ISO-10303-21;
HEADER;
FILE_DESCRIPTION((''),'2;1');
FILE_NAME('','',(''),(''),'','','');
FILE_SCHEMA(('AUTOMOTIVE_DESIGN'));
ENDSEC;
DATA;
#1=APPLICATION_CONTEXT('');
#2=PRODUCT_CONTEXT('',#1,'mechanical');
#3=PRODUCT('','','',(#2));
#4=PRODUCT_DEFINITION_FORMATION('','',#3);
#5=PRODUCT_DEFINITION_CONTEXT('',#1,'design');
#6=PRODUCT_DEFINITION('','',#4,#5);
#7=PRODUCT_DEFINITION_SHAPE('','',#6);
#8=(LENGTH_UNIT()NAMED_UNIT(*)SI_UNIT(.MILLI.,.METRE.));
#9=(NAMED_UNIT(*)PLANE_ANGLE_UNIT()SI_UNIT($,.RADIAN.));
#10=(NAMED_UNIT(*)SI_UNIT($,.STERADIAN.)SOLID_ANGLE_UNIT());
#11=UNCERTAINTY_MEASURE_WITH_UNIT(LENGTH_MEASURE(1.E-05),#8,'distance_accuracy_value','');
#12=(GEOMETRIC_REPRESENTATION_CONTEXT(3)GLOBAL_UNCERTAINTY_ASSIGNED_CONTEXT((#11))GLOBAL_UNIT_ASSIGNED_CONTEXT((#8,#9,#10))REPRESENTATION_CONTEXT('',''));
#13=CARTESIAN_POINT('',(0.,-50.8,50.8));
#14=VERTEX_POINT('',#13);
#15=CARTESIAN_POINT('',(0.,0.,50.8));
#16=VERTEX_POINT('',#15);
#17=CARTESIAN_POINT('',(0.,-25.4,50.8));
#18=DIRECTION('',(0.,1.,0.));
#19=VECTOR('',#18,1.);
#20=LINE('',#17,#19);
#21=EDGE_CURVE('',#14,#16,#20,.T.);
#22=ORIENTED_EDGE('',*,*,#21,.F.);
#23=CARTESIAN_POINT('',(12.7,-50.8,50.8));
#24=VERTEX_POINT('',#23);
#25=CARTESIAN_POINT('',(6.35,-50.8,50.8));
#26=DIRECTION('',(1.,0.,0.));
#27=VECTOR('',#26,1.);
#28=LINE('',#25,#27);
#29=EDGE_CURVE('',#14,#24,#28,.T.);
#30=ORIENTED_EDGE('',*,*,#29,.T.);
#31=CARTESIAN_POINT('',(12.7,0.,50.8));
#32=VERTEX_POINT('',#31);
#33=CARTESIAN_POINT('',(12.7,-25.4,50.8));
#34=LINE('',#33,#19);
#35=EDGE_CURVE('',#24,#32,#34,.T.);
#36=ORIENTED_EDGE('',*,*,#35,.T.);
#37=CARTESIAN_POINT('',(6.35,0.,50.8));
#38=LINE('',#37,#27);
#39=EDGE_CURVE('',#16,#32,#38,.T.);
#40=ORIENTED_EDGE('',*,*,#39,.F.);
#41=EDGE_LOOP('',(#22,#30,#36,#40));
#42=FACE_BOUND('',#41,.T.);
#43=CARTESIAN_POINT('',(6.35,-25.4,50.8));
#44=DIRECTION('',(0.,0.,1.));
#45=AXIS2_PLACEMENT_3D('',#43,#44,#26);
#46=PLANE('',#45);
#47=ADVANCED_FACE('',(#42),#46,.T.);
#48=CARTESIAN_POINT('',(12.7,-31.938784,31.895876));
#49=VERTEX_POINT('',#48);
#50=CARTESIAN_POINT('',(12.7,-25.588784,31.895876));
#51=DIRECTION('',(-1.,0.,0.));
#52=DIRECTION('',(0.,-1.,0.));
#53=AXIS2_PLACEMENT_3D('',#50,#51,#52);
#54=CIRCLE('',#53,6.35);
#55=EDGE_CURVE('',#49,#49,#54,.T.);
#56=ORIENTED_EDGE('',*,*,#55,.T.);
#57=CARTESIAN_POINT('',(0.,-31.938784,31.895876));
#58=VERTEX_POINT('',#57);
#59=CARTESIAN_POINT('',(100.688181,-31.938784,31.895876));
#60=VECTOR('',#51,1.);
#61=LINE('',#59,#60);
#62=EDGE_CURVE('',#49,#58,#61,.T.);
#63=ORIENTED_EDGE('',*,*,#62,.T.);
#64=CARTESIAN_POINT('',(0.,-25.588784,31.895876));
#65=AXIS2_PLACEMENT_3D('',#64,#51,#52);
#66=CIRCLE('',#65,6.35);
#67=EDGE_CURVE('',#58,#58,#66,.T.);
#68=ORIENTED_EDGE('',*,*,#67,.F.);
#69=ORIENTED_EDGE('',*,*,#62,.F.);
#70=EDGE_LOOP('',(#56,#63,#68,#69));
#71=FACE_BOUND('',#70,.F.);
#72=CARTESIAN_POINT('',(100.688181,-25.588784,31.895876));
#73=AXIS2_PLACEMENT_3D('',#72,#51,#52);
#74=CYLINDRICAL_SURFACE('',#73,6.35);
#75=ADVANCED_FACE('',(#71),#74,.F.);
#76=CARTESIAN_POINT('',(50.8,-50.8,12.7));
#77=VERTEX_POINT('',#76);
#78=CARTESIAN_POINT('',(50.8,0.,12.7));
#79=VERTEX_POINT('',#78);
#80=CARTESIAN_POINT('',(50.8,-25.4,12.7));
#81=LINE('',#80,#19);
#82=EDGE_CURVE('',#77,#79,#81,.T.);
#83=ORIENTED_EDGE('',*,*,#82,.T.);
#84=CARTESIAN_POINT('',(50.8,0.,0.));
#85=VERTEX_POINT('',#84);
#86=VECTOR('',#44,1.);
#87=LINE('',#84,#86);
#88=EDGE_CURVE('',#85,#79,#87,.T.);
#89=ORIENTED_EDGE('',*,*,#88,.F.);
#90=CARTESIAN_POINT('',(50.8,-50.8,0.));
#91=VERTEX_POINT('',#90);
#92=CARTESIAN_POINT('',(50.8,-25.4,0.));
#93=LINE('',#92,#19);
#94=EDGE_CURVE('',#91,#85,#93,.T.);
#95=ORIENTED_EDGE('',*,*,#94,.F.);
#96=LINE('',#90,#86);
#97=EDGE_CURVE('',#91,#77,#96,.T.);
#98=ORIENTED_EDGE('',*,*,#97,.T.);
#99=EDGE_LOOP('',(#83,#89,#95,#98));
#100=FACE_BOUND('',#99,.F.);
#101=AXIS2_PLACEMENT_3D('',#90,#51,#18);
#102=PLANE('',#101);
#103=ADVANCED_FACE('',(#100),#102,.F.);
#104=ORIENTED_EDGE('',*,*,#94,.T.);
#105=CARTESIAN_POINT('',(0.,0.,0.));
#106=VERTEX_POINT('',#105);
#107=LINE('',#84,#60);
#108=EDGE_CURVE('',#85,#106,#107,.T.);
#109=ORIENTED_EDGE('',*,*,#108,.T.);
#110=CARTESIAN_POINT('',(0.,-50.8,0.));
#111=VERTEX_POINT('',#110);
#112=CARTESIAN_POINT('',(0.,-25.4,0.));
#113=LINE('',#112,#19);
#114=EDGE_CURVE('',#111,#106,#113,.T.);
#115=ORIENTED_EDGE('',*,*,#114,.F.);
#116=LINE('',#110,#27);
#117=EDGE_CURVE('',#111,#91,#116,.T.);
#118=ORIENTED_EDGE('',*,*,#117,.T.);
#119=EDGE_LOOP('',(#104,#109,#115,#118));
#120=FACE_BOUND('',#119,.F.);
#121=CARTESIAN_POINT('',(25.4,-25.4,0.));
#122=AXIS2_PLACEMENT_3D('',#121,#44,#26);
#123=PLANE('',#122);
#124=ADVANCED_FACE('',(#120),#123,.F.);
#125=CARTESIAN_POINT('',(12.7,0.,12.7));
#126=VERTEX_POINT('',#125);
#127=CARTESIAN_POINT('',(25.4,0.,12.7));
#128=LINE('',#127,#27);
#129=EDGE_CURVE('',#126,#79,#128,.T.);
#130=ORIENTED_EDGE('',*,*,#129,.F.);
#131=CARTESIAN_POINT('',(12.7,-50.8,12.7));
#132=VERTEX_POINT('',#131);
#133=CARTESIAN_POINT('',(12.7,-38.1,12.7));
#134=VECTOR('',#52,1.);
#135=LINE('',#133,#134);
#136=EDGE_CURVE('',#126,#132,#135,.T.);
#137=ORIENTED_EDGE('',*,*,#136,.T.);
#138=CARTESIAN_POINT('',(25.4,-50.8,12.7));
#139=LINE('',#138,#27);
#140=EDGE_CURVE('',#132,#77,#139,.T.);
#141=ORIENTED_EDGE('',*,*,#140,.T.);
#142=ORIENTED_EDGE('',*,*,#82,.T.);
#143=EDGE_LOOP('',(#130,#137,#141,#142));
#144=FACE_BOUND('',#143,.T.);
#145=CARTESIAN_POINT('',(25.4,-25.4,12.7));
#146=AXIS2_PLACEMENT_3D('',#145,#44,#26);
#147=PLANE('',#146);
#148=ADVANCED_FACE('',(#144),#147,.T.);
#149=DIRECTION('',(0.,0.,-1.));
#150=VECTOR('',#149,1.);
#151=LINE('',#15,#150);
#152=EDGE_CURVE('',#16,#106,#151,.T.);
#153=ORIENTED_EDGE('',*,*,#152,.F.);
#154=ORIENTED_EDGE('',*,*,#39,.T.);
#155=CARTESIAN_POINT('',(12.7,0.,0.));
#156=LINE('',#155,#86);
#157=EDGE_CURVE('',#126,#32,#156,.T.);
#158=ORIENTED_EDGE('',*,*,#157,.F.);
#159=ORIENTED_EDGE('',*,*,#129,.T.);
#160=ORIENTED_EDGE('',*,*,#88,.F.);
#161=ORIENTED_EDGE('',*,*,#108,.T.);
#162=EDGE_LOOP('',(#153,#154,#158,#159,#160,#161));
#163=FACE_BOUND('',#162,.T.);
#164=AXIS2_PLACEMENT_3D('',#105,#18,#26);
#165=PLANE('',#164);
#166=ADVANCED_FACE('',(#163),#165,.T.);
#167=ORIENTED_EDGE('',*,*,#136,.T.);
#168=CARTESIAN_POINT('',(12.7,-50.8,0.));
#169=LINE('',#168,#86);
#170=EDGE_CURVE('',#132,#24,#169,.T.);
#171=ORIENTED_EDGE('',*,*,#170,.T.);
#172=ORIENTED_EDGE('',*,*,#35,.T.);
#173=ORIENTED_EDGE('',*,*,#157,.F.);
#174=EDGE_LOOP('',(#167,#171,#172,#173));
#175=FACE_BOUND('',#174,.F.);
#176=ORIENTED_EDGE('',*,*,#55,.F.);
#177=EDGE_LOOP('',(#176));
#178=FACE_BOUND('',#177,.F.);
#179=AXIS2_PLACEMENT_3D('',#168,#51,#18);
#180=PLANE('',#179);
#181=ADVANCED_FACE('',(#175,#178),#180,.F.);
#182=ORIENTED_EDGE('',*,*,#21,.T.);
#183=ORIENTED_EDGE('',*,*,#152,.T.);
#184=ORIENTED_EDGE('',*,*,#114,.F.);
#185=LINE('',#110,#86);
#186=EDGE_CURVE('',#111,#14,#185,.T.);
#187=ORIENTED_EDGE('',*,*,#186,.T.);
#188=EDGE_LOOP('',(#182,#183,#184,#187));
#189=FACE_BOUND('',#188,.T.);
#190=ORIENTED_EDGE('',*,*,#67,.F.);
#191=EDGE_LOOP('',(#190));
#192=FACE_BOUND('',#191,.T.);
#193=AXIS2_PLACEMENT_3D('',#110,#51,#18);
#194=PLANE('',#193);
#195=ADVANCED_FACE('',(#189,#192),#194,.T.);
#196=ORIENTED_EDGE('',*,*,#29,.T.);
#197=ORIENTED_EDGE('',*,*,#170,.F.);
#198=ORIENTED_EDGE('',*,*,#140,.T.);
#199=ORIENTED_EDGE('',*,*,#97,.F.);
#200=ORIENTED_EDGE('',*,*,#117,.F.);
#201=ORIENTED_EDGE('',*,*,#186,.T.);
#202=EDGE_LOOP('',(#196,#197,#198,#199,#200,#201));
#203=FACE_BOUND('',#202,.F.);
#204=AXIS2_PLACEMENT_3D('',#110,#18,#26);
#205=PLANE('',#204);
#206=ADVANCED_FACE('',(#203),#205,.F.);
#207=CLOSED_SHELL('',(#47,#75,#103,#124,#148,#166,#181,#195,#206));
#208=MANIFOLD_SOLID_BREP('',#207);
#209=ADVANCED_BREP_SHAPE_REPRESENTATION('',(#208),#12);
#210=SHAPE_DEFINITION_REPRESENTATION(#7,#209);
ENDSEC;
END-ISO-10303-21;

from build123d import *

# Parameters (mm, degrees)
F0_W     = 50.8
F0_H     = 50.8
F1_DEPTH = 12.7
F2_W     = 12.7
F2_H     = 50.8
F3_DEPTH = 50.8
F6_D     = 12.7


with BuildPart() as f1:
    # F0 (on Top) → F1 (new body)
    with BuildSketch(Plane.XY):
        with Locations((25.4, -25.4)):
            Rectangle(F0_W, F0_H)
    extrude(amount=F1_DEPTH)

    # F2 (on Top) → F3 (join)
    with BuildSketch(Plane.XY):
        with Locations((6.35, -25.4)):
            Rectangle(F2_W, F2_H)
    extrude(amount=F3_DEPTH)

    # F6 (through all)
    with Locations(Plane.YZ.offset(12.7)):
        with Locations((-25.588784, 31.895876)):
            Hole(F6_D / 2)


solid = f1.part
